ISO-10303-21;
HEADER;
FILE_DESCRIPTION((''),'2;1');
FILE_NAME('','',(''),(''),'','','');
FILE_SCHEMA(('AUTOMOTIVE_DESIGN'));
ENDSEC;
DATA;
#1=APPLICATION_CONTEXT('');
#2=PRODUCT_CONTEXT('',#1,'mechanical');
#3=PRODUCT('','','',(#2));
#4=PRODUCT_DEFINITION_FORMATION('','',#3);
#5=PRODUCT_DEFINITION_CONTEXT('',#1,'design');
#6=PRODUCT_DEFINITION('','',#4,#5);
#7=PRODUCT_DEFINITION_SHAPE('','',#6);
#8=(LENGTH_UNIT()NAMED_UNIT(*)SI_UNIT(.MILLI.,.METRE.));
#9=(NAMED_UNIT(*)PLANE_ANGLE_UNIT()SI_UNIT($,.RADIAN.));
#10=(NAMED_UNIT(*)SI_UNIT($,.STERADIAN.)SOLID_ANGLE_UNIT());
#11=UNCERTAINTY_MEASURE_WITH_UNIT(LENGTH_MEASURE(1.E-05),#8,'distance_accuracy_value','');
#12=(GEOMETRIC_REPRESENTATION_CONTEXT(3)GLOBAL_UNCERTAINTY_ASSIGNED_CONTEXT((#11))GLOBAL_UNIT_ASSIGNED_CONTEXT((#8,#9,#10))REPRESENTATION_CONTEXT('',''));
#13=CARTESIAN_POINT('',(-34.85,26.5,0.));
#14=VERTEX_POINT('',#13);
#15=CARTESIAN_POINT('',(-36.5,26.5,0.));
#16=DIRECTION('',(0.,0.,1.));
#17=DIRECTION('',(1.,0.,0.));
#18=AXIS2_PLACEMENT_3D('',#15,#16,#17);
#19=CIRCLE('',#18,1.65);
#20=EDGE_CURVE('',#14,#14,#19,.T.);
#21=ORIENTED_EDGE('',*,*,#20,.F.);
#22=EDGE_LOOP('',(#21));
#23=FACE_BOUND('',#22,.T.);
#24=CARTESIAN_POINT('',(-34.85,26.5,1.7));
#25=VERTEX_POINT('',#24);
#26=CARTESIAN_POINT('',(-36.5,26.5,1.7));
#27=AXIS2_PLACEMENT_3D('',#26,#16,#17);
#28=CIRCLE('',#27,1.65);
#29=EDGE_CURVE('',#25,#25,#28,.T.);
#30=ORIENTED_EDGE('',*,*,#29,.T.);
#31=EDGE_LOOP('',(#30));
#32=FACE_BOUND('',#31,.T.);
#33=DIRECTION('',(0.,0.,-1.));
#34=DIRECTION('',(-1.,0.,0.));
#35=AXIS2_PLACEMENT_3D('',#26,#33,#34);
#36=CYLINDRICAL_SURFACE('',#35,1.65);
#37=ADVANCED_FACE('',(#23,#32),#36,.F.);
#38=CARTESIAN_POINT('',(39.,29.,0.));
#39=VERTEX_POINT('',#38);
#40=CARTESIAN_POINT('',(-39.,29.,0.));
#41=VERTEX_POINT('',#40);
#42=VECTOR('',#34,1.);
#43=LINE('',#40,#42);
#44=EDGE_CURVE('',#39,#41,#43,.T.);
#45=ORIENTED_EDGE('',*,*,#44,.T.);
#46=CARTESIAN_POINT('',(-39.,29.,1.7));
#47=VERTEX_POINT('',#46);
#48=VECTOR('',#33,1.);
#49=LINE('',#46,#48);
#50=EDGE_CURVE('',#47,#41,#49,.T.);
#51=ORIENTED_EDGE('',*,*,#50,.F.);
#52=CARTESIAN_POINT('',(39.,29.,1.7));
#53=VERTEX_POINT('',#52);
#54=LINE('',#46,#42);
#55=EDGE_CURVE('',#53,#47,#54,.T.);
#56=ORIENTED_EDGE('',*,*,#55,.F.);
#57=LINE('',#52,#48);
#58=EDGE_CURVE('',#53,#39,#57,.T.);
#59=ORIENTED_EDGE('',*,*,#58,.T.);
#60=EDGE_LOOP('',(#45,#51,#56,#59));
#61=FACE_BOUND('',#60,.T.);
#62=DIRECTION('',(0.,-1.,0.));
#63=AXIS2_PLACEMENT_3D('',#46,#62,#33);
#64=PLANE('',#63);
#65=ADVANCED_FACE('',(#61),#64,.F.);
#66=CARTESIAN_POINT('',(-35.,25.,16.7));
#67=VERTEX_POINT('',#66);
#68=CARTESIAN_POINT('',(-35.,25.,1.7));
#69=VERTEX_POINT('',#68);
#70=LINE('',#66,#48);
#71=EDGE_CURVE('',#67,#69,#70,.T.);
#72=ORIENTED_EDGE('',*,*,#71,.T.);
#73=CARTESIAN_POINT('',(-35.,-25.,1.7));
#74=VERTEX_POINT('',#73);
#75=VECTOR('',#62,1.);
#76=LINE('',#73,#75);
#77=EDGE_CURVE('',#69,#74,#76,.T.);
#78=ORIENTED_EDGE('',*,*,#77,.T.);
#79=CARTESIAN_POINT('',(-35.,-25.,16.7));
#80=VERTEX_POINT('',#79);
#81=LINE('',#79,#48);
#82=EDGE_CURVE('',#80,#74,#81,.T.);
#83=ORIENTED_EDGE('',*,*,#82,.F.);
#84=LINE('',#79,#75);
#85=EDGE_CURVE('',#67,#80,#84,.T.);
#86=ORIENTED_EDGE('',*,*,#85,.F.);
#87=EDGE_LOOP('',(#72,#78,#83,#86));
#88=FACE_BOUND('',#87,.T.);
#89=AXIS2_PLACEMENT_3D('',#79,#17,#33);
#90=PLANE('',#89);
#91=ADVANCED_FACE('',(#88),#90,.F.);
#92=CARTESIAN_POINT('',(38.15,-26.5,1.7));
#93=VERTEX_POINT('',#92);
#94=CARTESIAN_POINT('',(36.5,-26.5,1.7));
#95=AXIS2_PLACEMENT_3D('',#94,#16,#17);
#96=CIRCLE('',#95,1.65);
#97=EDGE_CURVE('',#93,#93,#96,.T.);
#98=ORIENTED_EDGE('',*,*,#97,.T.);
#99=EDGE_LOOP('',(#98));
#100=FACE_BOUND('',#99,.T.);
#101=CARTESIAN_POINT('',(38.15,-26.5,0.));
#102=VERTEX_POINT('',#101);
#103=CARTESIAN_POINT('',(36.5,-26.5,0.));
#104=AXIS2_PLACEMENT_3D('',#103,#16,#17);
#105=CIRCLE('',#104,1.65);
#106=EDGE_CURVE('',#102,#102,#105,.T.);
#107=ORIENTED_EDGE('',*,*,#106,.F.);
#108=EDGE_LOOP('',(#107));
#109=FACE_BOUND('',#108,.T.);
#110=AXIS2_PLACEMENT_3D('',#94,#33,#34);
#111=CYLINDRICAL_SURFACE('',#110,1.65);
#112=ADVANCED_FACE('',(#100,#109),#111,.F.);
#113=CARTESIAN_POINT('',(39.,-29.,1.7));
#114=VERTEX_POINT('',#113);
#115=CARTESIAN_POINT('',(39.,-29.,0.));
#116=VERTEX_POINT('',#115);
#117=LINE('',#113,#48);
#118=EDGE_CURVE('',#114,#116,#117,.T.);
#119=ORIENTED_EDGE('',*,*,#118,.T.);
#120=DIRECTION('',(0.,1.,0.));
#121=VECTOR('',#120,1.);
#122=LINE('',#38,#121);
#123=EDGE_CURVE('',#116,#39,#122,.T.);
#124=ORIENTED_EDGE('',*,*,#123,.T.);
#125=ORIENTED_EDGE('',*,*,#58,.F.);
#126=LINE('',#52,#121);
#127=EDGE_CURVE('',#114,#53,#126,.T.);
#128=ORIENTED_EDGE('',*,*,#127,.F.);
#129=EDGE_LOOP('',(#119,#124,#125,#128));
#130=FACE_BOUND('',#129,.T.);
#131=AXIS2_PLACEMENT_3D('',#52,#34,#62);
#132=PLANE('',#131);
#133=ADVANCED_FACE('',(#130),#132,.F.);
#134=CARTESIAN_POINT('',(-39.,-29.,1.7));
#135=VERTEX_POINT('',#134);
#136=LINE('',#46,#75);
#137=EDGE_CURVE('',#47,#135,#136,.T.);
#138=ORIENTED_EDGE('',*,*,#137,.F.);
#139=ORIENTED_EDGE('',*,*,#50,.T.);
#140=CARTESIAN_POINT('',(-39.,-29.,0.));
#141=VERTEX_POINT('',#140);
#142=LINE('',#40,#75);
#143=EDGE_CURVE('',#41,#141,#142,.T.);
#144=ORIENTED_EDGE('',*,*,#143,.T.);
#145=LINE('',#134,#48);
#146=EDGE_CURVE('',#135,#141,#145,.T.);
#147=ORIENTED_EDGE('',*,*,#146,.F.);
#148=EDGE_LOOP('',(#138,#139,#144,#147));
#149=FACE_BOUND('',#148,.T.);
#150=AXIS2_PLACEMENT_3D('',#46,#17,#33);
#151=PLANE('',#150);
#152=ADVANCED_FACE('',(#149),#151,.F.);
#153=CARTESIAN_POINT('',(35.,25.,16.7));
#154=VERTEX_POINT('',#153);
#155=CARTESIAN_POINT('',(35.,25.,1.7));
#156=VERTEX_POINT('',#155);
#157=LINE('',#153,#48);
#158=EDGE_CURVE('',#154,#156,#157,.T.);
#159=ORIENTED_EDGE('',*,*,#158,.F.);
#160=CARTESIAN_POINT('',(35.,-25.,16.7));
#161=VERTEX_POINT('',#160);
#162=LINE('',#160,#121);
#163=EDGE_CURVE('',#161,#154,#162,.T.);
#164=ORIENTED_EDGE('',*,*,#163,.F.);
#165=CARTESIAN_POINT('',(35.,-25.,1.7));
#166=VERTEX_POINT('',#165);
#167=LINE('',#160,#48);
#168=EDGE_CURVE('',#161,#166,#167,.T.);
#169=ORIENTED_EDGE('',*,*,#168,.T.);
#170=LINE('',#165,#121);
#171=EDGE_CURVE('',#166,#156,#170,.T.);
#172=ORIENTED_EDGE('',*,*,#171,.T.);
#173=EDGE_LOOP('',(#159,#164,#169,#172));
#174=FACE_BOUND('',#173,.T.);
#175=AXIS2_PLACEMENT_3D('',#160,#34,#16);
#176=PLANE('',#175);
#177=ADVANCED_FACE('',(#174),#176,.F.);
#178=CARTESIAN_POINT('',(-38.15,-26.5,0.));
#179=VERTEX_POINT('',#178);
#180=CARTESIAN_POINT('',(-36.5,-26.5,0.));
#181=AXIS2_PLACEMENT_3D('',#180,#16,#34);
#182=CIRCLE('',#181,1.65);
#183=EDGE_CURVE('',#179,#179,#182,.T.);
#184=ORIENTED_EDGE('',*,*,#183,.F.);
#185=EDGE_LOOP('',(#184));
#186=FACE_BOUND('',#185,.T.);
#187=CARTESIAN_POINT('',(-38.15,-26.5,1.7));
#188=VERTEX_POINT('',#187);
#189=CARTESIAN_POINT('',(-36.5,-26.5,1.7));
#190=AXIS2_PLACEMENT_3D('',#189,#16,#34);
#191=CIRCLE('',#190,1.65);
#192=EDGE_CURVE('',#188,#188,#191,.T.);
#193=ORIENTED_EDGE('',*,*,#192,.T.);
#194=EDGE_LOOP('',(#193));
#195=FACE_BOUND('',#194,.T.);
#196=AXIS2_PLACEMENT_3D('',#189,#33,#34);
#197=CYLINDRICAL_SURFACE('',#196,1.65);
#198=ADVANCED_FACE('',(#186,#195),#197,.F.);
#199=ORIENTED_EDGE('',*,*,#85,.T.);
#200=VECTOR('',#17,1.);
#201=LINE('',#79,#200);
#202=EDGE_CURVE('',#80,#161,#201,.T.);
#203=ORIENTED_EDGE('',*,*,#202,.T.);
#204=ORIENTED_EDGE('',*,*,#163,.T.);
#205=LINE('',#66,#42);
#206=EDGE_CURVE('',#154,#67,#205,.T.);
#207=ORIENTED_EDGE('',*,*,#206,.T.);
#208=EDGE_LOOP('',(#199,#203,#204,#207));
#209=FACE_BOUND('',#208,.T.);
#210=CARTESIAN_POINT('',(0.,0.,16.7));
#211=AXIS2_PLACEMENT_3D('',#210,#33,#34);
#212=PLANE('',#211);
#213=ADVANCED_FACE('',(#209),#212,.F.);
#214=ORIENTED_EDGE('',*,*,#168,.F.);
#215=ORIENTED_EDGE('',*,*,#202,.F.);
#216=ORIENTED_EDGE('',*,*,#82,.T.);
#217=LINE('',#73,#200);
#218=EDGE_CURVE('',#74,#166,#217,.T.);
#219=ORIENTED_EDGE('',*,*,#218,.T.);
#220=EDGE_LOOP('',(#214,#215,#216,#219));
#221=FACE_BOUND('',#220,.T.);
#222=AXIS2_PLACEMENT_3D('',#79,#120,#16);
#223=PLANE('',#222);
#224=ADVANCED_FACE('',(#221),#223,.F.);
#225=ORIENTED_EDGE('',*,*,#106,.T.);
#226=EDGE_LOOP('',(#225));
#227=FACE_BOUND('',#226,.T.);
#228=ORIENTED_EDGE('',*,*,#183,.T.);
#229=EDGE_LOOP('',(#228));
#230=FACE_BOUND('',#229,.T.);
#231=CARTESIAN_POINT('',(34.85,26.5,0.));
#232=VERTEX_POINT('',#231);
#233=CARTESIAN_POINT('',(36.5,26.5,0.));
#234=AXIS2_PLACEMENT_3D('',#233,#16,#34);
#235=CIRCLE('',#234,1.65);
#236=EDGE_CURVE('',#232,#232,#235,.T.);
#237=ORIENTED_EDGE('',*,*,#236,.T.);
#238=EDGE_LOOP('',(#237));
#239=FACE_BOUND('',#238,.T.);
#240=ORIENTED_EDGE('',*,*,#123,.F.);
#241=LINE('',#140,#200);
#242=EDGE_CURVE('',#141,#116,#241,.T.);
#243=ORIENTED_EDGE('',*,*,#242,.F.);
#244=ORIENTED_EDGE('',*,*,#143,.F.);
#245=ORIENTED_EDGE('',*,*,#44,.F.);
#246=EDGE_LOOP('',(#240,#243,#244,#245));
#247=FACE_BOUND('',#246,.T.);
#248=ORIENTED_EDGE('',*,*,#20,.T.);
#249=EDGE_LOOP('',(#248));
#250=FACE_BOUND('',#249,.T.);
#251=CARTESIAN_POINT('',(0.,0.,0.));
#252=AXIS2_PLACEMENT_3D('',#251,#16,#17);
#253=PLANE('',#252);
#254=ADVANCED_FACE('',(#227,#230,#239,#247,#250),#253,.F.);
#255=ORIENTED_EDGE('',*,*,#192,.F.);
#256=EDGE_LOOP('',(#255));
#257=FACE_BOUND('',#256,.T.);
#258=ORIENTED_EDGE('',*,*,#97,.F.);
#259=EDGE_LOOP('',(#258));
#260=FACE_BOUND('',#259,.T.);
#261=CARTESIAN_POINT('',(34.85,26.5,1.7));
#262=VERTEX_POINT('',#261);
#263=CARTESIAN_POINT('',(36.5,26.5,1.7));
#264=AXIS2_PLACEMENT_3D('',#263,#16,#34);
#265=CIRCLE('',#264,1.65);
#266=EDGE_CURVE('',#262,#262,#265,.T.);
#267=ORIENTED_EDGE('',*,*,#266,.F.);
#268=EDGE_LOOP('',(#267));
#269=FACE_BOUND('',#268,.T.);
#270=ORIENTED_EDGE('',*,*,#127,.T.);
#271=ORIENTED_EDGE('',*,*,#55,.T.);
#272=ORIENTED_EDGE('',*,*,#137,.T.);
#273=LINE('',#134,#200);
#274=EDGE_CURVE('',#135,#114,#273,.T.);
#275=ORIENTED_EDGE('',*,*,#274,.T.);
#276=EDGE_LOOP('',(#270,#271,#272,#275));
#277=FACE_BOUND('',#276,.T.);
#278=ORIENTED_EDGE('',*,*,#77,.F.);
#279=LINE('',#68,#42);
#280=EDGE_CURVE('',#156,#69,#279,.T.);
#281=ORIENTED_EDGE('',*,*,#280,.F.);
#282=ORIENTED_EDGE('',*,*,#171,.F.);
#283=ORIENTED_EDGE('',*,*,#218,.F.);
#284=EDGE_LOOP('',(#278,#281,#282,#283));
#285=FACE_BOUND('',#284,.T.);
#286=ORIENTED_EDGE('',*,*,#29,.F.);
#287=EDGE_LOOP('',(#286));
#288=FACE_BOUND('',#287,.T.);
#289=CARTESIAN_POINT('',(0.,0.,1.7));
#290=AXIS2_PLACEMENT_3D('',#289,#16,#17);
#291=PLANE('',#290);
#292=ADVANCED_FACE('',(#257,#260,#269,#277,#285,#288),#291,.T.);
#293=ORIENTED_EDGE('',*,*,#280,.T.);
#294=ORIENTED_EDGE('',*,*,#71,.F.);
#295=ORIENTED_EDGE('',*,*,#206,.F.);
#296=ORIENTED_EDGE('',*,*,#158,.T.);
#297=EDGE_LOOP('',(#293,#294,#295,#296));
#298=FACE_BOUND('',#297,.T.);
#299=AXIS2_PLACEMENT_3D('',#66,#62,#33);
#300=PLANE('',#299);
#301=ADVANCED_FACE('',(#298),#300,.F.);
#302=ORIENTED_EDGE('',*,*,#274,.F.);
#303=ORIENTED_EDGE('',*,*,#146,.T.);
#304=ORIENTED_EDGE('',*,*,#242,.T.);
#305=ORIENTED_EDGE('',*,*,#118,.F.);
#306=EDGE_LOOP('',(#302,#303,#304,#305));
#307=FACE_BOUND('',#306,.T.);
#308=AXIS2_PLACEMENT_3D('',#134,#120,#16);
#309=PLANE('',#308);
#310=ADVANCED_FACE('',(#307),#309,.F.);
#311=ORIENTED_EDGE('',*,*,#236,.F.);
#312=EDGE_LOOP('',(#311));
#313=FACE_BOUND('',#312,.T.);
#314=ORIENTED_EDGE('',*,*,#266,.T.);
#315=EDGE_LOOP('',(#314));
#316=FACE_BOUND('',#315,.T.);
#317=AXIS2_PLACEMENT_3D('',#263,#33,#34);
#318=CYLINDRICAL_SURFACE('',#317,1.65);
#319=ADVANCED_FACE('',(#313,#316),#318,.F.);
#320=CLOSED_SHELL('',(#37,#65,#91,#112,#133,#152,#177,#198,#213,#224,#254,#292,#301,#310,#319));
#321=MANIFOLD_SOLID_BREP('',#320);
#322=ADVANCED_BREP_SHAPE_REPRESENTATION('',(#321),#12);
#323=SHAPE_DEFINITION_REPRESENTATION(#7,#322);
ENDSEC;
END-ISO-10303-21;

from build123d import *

# Parameters (mm, degrees)
ESBO_O1_W                = 78
ESBO_O1_H                = 58
ESBO_O1_R                = 1.65
RESSALTO_EXTRUS_O1_DEPTH = 1.7
ESBO_O2_W                = 70
ESBO_O2_H                = 50
RESSALTO_EXTRUS_O2_DEPTH = 15


with BuildPart() as part:
    # Esboço1 → Ressalto-extrusão1 (new body)
    with BuildSketch(Plane.XY):
        Rectangle(ESBO_O1_W, ESBO_O1_H)
        with Locations((-36.5, 26.5)):
            Circle(ESBO_O1_R, mode=Mode.SUBTRACT)
        with Locations(Location((-36.5, -26.5, 0), (0, 0, 180))):
            Circle(ESBO_O1_R, mode=Mode.SUBTRACT)
        with Locations(Location((36.5, 26.5, 0), (0, 0, 180))):
            Circle(ESBO_O1_R, mode=Mode.SUBTRACT)
        with Locations((36.5, -26.5)):
            Circle(ESBO_O1_R, mode=Mode.SUBTRACT)
    extrude(amount=RESSALTO_EXTRUS_O1_DEPTH)

    # Esboço2 → Ressalto-extrusão2 (add)
    with BuildSketch(Plane.XY.offset(1.7)):
        Rectangle(ESBO_O2_W, ESBO_O2_H)
    extrude(amount=RESSALTO_EXTRUS_O2_DEPTH)


solid = part.part
